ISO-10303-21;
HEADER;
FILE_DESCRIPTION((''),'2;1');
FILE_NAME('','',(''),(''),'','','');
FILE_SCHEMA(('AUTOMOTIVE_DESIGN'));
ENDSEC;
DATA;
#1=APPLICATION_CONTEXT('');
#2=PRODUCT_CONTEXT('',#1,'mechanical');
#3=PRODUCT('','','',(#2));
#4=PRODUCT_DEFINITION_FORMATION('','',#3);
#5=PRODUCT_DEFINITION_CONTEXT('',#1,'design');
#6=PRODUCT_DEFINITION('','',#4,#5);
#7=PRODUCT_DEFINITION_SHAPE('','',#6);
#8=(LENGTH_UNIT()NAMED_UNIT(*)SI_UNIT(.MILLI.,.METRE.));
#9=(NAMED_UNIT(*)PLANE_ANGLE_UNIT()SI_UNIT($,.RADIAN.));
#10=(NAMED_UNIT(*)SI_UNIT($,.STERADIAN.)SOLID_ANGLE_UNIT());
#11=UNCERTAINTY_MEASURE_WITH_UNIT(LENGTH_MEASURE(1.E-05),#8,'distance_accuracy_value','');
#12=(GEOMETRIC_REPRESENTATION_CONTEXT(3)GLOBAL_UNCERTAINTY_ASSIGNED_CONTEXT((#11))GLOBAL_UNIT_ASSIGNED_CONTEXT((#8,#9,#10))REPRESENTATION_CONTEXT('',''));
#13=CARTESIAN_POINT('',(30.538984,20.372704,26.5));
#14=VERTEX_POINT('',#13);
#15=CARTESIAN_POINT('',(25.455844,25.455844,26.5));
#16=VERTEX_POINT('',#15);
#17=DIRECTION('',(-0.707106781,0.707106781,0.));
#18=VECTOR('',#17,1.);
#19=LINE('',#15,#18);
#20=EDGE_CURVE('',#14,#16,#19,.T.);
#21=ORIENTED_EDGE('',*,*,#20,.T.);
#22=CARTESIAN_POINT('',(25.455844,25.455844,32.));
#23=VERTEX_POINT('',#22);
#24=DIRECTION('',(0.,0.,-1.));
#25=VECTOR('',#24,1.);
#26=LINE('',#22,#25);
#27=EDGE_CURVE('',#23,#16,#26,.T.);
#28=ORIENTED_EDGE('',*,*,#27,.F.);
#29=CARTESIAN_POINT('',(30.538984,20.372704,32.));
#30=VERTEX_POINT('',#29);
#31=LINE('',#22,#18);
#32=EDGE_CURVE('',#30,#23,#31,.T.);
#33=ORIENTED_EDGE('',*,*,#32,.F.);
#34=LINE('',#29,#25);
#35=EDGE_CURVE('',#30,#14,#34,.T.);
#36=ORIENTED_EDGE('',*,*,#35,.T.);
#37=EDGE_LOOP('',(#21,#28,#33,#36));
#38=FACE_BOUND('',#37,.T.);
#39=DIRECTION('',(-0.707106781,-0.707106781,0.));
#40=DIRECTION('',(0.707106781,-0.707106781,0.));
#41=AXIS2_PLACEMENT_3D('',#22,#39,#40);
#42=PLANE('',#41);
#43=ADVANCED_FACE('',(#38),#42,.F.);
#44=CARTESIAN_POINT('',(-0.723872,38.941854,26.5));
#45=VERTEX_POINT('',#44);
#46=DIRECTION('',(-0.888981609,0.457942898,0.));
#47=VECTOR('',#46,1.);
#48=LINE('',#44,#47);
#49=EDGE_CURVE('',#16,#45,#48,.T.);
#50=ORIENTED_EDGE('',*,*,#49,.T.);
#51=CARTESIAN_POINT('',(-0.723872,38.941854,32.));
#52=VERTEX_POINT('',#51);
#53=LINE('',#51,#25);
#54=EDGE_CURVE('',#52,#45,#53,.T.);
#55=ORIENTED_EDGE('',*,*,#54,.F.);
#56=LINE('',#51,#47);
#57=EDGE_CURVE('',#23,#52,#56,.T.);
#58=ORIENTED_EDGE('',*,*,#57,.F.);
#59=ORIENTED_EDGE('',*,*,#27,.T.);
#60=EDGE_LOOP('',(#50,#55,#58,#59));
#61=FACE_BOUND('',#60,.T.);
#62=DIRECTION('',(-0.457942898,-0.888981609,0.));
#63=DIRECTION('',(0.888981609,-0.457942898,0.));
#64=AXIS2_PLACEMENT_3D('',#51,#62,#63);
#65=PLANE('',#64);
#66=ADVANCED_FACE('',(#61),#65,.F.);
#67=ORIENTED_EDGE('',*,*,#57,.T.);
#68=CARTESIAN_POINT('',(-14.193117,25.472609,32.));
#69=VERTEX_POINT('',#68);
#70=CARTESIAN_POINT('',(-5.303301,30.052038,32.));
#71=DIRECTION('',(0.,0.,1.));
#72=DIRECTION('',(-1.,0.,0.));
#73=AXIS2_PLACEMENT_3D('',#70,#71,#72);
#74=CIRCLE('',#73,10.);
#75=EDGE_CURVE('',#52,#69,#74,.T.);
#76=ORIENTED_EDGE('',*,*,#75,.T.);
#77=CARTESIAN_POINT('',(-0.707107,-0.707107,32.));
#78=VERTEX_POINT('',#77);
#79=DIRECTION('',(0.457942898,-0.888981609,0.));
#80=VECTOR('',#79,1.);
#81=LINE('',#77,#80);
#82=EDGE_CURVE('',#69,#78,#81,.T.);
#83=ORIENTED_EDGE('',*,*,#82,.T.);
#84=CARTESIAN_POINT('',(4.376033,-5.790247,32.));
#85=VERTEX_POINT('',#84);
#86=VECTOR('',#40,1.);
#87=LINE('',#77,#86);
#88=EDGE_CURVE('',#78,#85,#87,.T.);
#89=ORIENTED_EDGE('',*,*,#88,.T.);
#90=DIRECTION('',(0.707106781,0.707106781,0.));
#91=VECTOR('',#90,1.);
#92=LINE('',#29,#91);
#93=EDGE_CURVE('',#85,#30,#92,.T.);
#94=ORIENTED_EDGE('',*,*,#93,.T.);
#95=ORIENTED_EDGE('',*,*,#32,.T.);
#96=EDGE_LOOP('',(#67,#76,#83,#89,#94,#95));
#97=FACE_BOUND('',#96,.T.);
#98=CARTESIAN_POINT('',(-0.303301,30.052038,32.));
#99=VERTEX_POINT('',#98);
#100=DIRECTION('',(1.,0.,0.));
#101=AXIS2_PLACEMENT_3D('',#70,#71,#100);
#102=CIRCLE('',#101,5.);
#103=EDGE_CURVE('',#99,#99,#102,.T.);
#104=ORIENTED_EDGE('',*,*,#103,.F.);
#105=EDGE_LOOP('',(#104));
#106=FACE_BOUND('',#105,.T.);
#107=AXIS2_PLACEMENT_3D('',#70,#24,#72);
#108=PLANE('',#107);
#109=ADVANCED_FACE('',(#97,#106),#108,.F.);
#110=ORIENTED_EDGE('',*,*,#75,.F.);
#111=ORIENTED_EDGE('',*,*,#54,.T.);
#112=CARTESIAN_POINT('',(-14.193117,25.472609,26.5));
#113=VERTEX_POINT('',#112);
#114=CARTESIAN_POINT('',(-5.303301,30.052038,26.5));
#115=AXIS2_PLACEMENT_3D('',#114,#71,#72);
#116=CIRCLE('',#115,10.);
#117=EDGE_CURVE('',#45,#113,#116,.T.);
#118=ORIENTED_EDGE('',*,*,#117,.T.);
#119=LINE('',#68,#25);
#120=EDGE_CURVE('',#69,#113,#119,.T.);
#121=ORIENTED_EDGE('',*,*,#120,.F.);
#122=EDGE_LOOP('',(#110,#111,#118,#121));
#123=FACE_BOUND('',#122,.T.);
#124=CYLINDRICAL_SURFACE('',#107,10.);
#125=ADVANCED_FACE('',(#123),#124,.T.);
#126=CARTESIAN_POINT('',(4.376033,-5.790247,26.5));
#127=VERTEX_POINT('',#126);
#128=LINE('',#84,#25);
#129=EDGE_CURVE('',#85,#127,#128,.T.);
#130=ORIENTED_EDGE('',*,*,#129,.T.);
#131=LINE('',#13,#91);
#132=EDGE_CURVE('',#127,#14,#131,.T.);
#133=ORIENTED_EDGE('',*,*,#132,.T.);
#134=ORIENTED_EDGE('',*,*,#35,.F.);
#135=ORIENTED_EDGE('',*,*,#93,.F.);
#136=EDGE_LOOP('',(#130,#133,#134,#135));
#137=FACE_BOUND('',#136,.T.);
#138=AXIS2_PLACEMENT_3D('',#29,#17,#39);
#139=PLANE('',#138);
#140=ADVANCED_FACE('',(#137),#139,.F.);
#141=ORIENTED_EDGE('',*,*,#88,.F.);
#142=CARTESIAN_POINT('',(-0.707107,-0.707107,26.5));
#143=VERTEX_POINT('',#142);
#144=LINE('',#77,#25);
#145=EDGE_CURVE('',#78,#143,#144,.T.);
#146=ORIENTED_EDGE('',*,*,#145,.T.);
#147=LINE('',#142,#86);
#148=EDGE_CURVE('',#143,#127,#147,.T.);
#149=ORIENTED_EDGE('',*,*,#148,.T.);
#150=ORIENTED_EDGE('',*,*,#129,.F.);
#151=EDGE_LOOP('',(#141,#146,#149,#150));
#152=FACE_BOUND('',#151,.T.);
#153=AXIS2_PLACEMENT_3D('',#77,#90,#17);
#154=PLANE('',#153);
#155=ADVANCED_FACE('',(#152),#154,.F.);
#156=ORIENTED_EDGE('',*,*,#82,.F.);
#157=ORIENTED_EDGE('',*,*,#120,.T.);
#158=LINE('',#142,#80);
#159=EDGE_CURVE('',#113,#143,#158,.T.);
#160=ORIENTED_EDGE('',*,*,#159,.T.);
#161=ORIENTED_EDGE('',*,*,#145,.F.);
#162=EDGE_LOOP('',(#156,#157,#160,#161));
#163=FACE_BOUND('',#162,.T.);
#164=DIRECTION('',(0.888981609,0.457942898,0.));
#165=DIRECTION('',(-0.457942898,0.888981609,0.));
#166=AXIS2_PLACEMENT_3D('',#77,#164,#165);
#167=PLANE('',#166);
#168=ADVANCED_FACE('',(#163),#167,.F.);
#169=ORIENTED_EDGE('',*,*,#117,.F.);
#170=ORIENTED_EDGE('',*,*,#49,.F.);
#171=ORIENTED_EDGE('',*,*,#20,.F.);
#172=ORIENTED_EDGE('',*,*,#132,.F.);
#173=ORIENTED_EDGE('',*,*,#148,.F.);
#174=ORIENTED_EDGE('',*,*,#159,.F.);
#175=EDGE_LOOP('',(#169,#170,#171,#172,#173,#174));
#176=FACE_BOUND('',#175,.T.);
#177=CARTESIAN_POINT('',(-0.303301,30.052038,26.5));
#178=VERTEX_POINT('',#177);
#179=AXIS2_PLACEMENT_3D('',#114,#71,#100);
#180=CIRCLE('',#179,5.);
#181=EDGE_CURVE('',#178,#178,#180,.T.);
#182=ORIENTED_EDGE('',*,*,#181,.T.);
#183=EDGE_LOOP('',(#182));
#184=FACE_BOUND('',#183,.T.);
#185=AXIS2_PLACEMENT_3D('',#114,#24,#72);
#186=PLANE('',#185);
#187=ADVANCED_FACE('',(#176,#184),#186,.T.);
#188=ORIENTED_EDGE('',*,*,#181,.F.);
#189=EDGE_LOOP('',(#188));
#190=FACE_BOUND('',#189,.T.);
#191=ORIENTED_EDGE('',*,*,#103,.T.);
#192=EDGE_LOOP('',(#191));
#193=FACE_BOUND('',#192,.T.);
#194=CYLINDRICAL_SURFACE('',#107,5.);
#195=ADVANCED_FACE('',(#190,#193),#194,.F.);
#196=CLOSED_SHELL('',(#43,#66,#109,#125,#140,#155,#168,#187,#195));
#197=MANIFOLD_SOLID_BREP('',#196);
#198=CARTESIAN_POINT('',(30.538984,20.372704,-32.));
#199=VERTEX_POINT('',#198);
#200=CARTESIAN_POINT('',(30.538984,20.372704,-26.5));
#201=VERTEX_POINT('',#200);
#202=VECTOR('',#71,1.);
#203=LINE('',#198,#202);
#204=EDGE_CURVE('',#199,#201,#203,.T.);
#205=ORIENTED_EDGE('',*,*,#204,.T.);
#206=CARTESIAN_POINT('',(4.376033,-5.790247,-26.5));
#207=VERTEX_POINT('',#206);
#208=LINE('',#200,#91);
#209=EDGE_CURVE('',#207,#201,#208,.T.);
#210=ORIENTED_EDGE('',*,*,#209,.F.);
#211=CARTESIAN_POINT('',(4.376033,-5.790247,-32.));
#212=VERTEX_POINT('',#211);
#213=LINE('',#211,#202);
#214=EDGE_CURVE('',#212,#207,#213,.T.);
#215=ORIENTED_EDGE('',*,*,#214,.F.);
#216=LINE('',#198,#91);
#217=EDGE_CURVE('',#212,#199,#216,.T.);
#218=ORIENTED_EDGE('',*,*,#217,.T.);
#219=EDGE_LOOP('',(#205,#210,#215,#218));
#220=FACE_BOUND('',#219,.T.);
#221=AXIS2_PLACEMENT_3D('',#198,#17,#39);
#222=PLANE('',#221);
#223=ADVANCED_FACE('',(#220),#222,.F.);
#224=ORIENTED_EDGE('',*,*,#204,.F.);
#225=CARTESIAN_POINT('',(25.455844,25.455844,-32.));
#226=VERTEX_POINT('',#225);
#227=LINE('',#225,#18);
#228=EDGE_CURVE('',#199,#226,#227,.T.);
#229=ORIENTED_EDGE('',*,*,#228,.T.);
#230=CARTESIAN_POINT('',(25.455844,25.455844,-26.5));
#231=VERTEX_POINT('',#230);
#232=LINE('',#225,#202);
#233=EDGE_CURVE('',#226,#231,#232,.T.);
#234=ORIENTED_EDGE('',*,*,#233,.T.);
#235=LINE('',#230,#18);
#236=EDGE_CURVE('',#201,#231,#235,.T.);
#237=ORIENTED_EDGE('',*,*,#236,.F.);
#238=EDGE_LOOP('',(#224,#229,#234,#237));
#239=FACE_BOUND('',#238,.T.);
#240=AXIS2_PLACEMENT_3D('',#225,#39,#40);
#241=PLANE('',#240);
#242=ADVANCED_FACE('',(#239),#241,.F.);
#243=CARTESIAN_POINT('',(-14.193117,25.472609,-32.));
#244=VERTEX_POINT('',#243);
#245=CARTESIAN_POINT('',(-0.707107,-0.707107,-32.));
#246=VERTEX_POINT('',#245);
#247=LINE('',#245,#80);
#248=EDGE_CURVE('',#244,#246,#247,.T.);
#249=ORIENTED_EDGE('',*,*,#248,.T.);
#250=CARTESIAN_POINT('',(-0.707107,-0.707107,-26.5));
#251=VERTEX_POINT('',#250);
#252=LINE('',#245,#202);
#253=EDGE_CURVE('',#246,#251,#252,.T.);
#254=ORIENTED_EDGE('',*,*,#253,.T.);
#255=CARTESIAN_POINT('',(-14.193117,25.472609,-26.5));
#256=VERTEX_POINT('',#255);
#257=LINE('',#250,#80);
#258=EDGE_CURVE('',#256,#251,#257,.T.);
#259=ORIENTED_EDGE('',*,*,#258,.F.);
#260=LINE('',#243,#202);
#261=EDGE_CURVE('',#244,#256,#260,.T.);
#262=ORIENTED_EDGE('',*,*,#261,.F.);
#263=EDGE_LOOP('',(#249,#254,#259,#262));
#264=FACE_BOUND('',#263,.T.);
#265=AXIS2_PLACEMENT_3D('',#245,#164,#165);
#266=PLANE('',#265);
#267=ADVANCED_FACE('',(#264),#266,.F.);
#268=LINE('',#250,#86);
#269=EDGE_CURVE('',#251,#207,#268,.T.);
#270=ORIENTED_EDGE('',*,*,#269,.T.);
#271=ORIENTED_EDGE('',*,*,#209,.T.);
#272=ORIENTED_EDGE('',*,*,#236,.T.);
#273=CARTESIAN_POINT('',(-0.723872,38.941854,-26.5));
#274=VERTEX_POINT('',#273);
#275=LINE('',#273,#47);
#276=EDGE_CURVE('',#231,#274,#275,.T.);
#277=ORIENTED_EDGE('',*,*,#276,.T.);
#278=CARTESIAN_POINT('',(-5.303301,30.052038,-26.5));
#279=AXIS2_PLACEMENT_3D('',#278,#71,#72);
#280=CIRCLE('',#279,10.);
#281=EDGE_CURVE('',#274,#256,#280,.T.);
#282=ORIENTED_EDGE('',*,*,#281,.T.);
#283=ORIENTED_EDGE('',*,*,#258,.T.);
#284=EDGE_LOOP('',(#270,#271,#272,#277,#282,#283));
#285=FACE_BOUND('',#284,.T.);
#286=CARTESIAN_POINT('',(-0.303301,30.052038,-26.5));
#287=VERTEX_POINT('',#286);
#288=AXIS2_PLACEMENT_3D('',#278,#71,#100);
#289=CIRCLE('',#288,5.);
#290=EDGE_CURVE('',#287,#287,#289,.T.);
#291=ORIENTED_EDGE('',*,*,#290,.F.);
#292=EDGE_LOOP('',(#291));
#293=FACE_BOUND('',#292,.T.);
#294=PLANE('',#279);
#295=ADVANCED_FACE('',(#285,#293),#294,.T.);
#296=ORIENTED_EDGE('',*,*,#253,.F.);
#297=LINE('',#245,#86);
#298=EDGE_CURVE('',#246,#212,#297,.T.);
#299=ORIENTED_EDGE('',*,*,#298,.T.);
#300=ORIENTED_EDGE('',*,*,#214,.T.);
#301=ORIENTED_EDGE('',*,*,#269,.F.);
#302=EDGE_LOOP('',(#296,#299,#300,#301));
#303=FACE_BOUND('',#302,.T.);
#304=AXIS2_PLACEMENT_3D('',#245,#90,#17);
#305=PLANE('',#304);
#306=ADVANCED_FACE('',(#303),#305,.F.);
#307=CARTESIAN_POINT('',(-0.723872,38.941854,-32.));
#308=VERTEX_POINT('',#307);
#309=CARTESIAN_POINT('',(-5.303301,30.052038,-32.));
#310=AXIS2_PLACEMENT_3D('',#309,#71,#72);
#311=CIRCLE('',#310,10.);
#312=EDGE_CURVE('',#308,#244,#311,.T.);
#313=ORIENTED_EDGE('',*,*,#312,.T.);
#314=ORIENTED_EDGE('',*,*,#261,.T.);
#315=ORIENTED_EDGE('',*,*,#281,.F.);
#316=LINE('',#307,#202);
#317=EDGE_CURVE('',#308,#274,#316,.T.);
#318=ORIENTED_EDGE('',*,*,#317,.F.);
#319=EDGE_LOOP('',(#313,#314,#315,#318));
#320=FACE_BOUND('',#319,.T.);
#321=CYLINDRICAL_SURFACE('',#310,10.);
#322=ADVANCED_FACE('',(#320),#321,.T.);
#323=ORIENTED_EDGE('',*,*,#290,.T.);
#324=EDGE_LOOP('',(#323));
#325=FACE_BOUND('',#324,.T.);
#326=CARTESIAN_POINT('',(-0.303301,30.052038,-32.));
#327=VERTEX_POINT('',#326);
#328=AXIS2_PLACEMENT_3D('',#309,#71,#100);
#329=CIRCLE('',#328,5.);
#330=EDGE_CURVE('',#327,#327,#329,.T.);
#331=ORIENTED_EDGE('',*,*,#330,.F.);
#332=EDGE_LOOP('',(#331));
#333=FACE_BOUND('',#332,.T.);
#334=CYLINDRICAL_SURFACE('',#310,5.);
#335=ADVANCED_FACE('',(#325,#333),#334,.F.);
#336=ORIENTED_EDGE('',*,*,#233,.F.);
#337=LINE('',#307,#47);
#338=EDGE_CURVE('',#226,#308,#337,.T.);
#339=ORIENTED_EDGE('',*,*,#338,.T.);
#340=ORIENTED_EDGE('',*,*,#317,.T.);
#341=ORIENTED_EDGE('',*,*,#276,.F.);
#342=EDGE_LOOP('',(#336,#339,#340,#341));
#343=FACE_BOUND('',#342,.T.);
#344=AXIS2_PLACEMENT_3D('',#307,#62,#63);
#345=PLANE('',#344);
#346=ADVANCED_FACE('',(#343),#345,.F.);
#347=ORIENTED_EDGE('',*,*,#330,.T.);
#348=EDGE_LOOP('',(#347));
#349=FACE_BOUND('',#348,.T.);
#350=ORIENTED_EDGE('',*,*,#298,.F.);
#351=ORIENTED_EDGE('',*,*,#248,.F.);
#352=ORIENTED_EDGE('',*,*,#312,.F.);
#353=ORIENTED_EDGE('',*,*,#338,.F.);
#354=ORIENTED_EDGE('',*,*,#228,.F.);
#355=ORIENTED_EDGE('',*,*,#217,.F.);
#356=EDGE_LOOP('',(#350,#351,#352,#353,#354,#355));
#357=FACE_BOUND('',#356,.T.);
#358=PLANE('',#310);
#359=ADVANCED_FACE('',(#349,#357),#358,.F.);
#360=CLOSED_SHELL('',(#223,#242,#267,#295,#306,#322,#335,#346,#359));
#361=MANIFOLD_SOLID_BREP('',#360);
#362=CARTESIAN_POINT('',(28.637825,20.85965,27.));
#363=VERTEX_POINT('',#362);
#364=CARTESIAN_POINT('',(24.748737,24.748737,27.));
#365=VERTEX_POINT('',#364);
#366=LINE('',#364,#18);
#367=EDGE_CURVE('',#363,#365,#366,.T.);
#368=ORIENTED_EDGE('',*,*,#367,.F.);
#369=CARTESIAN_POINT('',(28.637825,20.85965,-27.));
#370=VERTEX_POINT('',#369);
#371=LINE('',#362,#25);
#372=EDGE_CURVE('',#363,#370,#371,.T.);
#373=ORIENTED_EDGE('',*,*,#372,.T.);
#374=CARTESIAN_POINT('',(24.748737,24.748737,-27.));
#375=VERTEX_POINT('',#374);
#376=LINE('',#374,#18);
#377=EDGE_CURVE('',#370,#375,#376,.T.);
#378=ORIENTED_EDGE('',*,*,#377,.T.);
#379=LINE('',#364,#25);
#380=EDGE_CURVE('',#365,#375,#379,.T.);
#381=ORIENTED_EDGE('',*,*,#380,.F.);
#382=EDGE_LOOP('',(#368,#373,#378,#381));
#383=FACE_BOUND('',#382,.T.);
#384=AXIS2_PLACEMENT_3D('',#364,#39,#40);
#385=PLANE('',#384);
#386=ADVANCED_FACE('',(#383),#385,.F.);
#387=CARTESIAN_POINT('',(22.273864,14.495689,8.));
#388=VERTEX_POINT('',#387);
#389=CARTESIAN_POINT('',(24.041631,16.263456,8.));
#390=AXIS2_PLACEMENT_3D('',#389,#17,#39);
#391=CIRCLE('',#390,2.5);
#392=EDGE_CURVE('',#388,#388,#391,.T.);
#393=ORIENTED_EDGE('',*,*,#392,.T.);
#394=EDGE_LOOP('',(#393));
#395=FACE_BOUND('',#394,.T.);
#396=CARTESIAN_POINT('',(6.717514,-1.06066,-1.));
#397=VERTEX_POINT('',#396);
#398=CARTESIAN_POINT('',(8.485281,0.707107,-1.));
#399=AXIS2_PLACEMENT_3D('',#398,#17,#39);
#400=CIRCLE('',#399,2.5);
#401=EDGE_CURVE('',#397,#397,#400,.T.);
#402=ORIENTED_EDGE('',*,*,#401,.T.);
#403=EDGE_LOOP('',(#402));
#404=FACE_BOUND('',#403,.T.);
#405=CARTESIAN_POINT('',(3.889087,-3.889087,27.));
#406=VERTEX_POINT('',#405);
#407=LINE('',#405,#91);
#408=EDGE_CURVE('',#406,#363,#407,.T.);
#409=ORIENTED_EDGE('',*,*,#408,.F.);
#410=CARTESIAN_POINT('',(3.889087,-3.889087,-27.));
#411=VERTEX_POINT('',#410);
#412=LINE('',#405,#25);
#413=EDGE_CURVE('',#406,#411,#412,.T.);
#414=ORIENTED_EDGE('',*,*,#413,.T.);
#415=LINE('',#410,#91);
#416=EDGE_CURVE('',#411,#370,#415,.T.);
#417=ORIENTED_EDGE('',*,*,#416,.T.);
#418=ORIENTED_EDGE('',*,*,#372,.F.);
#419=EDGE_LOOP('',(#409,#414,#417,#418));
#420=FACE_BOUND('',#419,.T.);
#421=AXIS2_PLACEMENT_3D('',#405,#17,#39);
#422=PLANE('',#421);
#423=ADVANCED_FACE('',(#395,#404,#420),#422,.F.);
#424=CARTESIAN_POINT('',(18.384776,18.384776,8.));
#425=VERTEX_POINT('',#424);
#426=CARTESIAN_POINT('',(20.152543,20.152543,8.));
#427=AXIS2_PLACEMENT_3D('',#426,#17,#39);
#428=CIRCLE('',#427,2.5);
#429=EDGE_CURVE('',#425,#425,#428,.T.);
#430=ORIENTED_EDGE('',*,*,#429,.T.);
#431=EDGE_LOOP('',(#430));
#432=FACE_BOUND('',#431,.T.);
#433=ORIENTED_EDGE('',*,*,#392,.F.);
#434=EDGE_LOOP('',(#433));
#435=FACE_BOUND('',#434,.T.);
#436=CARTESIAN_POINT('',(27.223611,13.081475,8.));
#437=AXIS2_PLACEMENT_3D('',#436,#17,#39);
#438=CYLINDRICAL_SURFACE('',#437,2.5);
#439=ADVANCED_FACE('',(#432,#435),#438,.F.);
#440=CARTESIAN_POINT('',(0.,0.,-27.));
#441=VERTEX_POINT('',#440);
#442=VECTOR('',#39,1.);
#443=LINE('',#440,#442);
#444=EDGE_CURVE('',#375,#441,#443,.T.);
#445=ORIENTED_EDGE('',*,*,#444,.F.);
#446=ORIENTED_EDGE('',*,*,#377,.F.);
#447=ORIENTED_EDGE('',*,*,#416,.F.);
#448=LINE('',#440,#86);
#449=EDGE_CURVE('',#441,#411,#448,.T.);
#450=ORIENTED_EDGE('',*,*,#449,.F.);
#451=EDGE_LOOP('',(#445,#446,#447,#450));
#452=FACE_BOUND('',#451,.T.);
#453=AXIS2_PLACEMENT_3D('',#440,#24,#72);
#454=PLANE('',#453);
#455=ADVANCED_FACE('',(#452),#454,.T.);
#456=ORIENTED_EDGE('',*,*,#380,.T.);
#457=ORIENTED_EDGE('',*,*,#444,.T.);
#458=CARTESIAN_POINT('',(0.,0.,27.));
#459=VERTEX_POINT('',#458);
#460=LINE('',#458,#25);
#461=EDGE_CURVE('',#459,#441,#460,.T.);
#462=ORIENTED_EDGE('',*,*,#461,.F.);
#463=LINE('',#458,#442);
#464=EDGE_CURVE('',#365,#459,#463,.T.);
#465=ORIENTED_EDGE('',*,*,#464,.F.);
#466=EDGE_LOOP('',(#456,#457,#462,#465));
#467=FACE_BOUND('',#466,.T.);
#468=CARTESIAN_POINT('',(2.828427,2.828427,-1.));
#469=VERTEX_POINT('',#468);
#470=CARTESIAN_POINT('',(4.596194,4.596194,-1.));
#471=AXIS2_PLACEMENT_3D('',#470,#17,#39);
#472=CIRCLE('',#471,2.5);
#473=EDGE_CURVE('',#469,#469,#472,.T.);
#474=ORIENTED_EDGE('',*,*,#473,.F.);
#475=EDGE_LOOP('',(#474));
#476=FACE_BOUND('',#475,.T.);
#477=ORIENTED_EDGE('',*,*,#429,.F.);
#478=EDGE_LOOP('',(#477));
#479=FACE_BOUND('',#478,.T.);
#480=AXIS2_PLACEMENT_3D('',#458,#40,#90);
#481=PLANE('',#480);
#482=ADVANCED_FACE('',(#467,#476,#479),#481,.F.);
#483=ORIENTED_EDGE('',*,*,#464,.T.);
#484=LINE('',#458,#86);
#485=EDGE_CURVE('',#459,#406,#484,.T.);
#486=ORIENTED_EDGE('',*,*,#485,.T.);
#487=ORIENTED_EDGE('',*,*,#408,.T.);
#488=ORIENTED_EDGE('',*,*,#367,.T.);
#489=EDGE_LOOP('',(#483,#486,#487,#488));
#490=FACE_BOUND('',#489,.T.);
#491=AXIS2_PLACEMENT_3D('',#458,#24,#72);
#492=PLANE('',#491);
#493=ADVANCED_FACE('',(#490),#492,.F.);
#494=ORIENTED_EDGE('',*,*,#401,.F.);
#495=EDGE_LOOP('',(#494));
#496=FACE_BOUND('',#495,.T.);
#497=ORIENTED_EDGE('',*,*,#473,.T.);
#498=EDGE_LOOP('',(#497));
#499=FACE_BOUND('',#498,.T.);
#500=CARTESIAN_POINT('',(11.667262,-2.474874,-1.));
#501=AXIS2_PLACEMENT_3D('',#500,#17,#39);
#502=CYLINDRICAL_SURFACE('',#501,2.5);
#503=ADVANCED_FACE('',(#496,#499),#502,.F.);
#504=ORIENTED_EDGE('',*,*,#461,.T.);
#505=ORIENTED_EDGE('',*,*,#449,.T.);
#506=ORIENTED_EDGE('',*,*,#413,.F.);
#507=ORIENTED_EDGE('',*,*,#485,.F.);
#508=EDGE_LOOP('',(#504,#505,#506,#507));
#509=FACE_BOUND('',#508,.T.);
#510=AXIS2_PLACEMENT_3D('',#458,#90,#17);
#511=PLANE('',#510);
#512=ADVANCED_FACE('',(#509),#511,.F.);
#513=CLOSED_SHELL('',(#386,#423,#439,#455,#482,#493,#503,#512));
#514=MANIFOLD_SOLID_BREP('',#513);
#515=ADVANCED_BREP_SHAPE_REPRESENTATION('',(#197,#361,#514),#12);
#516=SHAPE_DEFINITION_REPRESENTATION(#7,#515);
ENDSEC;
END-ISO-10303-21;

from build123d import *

# Parameters (mm, degrees)
EXTRUDE_1_DEPTH     = 27
EXTRUDE_START       = -0.5
SKETCH_3_R          = 5
EXTRUDE_2_DEPTH     = 5.5
SKETCH_4_R          = 2.5
CUT_EXTRUDE_1_DEPTH = 10


with BuildPart() as part:
    # ｽｹｯﾁ1 → ﾎﾞｽ - 押し出し1 (new, symmetric)
    with BuildSketch(Plane.XY):
        Polygon((0, 0), (3.889087297, -3.889087297), (28.637824638, 20.859650045), (24.748737342, 24.748737342), align=None)
    extrude(amount=EXTRUDE_1_DEPTH, both=True)

    # ｽｹｯﾁ4 → ｶｯﾄ - 押し出し1 (cut)
    with BuildSketch(Plane(origin=(0, 0, 0), x_dir=(0, 0, 1), z_dir=(-0.7071067811865486, 0.7071067811865465, 0))):
        with Locations(Location((8, 28.5, 0), (0, 0, 270))):
            Circle(SKETCH_4_R)
        with Locations(Location((-1, 6.5, 0), (0, 0, 270))):
            Circle(SKETCH_4_R)
    extrude(amount=-CUT_EXTRUDE_1_DEPTH, mode=Mode.SUBTRACT)


with BuildPart() as body_2:
    # ｽｹｯﾁ3 → ﾎﾞｽ - 押し出し2 (new body)
    with BuildSketch(Plane.XY.offset(27).offset(EXTRUDE_START)):
        with BuildLine():
            Line((-0.707106781, -0.707106781), (-14.193116952, 25.472609216))
            ThreePointArc((-14.193116952, 25.472609216), (-12.374368671, 37.123106012), (-0.723871874, 38.941854294))
            Line((-0.723871874, 38.941854294), (25.455844123, 25.455844123))
            Line((25.455844123, 25.455844123), (30.538984259, 20.372703986))
            Line((30.538984259, 20.372703986), (4.376033356, -5.790246918))
            Line((4.376033356, -5.790246918), (-0.707106781, -0.707106781))
        make_face()
        with Locations((-5.303300859, 30.0520382)):
            Circle(SKETCH_3_R, mode=Mode.SUBTRACT)
    extrude(amount=EXTRUDE_2_DEPTH)


with BuildPart() as body_3:
    # ﾐﾗｰ1: mirrored copy
    add(body_2.part.mirror(Plane.XY))


solid = Compound([part.part, body_2.part, body_3.part])
